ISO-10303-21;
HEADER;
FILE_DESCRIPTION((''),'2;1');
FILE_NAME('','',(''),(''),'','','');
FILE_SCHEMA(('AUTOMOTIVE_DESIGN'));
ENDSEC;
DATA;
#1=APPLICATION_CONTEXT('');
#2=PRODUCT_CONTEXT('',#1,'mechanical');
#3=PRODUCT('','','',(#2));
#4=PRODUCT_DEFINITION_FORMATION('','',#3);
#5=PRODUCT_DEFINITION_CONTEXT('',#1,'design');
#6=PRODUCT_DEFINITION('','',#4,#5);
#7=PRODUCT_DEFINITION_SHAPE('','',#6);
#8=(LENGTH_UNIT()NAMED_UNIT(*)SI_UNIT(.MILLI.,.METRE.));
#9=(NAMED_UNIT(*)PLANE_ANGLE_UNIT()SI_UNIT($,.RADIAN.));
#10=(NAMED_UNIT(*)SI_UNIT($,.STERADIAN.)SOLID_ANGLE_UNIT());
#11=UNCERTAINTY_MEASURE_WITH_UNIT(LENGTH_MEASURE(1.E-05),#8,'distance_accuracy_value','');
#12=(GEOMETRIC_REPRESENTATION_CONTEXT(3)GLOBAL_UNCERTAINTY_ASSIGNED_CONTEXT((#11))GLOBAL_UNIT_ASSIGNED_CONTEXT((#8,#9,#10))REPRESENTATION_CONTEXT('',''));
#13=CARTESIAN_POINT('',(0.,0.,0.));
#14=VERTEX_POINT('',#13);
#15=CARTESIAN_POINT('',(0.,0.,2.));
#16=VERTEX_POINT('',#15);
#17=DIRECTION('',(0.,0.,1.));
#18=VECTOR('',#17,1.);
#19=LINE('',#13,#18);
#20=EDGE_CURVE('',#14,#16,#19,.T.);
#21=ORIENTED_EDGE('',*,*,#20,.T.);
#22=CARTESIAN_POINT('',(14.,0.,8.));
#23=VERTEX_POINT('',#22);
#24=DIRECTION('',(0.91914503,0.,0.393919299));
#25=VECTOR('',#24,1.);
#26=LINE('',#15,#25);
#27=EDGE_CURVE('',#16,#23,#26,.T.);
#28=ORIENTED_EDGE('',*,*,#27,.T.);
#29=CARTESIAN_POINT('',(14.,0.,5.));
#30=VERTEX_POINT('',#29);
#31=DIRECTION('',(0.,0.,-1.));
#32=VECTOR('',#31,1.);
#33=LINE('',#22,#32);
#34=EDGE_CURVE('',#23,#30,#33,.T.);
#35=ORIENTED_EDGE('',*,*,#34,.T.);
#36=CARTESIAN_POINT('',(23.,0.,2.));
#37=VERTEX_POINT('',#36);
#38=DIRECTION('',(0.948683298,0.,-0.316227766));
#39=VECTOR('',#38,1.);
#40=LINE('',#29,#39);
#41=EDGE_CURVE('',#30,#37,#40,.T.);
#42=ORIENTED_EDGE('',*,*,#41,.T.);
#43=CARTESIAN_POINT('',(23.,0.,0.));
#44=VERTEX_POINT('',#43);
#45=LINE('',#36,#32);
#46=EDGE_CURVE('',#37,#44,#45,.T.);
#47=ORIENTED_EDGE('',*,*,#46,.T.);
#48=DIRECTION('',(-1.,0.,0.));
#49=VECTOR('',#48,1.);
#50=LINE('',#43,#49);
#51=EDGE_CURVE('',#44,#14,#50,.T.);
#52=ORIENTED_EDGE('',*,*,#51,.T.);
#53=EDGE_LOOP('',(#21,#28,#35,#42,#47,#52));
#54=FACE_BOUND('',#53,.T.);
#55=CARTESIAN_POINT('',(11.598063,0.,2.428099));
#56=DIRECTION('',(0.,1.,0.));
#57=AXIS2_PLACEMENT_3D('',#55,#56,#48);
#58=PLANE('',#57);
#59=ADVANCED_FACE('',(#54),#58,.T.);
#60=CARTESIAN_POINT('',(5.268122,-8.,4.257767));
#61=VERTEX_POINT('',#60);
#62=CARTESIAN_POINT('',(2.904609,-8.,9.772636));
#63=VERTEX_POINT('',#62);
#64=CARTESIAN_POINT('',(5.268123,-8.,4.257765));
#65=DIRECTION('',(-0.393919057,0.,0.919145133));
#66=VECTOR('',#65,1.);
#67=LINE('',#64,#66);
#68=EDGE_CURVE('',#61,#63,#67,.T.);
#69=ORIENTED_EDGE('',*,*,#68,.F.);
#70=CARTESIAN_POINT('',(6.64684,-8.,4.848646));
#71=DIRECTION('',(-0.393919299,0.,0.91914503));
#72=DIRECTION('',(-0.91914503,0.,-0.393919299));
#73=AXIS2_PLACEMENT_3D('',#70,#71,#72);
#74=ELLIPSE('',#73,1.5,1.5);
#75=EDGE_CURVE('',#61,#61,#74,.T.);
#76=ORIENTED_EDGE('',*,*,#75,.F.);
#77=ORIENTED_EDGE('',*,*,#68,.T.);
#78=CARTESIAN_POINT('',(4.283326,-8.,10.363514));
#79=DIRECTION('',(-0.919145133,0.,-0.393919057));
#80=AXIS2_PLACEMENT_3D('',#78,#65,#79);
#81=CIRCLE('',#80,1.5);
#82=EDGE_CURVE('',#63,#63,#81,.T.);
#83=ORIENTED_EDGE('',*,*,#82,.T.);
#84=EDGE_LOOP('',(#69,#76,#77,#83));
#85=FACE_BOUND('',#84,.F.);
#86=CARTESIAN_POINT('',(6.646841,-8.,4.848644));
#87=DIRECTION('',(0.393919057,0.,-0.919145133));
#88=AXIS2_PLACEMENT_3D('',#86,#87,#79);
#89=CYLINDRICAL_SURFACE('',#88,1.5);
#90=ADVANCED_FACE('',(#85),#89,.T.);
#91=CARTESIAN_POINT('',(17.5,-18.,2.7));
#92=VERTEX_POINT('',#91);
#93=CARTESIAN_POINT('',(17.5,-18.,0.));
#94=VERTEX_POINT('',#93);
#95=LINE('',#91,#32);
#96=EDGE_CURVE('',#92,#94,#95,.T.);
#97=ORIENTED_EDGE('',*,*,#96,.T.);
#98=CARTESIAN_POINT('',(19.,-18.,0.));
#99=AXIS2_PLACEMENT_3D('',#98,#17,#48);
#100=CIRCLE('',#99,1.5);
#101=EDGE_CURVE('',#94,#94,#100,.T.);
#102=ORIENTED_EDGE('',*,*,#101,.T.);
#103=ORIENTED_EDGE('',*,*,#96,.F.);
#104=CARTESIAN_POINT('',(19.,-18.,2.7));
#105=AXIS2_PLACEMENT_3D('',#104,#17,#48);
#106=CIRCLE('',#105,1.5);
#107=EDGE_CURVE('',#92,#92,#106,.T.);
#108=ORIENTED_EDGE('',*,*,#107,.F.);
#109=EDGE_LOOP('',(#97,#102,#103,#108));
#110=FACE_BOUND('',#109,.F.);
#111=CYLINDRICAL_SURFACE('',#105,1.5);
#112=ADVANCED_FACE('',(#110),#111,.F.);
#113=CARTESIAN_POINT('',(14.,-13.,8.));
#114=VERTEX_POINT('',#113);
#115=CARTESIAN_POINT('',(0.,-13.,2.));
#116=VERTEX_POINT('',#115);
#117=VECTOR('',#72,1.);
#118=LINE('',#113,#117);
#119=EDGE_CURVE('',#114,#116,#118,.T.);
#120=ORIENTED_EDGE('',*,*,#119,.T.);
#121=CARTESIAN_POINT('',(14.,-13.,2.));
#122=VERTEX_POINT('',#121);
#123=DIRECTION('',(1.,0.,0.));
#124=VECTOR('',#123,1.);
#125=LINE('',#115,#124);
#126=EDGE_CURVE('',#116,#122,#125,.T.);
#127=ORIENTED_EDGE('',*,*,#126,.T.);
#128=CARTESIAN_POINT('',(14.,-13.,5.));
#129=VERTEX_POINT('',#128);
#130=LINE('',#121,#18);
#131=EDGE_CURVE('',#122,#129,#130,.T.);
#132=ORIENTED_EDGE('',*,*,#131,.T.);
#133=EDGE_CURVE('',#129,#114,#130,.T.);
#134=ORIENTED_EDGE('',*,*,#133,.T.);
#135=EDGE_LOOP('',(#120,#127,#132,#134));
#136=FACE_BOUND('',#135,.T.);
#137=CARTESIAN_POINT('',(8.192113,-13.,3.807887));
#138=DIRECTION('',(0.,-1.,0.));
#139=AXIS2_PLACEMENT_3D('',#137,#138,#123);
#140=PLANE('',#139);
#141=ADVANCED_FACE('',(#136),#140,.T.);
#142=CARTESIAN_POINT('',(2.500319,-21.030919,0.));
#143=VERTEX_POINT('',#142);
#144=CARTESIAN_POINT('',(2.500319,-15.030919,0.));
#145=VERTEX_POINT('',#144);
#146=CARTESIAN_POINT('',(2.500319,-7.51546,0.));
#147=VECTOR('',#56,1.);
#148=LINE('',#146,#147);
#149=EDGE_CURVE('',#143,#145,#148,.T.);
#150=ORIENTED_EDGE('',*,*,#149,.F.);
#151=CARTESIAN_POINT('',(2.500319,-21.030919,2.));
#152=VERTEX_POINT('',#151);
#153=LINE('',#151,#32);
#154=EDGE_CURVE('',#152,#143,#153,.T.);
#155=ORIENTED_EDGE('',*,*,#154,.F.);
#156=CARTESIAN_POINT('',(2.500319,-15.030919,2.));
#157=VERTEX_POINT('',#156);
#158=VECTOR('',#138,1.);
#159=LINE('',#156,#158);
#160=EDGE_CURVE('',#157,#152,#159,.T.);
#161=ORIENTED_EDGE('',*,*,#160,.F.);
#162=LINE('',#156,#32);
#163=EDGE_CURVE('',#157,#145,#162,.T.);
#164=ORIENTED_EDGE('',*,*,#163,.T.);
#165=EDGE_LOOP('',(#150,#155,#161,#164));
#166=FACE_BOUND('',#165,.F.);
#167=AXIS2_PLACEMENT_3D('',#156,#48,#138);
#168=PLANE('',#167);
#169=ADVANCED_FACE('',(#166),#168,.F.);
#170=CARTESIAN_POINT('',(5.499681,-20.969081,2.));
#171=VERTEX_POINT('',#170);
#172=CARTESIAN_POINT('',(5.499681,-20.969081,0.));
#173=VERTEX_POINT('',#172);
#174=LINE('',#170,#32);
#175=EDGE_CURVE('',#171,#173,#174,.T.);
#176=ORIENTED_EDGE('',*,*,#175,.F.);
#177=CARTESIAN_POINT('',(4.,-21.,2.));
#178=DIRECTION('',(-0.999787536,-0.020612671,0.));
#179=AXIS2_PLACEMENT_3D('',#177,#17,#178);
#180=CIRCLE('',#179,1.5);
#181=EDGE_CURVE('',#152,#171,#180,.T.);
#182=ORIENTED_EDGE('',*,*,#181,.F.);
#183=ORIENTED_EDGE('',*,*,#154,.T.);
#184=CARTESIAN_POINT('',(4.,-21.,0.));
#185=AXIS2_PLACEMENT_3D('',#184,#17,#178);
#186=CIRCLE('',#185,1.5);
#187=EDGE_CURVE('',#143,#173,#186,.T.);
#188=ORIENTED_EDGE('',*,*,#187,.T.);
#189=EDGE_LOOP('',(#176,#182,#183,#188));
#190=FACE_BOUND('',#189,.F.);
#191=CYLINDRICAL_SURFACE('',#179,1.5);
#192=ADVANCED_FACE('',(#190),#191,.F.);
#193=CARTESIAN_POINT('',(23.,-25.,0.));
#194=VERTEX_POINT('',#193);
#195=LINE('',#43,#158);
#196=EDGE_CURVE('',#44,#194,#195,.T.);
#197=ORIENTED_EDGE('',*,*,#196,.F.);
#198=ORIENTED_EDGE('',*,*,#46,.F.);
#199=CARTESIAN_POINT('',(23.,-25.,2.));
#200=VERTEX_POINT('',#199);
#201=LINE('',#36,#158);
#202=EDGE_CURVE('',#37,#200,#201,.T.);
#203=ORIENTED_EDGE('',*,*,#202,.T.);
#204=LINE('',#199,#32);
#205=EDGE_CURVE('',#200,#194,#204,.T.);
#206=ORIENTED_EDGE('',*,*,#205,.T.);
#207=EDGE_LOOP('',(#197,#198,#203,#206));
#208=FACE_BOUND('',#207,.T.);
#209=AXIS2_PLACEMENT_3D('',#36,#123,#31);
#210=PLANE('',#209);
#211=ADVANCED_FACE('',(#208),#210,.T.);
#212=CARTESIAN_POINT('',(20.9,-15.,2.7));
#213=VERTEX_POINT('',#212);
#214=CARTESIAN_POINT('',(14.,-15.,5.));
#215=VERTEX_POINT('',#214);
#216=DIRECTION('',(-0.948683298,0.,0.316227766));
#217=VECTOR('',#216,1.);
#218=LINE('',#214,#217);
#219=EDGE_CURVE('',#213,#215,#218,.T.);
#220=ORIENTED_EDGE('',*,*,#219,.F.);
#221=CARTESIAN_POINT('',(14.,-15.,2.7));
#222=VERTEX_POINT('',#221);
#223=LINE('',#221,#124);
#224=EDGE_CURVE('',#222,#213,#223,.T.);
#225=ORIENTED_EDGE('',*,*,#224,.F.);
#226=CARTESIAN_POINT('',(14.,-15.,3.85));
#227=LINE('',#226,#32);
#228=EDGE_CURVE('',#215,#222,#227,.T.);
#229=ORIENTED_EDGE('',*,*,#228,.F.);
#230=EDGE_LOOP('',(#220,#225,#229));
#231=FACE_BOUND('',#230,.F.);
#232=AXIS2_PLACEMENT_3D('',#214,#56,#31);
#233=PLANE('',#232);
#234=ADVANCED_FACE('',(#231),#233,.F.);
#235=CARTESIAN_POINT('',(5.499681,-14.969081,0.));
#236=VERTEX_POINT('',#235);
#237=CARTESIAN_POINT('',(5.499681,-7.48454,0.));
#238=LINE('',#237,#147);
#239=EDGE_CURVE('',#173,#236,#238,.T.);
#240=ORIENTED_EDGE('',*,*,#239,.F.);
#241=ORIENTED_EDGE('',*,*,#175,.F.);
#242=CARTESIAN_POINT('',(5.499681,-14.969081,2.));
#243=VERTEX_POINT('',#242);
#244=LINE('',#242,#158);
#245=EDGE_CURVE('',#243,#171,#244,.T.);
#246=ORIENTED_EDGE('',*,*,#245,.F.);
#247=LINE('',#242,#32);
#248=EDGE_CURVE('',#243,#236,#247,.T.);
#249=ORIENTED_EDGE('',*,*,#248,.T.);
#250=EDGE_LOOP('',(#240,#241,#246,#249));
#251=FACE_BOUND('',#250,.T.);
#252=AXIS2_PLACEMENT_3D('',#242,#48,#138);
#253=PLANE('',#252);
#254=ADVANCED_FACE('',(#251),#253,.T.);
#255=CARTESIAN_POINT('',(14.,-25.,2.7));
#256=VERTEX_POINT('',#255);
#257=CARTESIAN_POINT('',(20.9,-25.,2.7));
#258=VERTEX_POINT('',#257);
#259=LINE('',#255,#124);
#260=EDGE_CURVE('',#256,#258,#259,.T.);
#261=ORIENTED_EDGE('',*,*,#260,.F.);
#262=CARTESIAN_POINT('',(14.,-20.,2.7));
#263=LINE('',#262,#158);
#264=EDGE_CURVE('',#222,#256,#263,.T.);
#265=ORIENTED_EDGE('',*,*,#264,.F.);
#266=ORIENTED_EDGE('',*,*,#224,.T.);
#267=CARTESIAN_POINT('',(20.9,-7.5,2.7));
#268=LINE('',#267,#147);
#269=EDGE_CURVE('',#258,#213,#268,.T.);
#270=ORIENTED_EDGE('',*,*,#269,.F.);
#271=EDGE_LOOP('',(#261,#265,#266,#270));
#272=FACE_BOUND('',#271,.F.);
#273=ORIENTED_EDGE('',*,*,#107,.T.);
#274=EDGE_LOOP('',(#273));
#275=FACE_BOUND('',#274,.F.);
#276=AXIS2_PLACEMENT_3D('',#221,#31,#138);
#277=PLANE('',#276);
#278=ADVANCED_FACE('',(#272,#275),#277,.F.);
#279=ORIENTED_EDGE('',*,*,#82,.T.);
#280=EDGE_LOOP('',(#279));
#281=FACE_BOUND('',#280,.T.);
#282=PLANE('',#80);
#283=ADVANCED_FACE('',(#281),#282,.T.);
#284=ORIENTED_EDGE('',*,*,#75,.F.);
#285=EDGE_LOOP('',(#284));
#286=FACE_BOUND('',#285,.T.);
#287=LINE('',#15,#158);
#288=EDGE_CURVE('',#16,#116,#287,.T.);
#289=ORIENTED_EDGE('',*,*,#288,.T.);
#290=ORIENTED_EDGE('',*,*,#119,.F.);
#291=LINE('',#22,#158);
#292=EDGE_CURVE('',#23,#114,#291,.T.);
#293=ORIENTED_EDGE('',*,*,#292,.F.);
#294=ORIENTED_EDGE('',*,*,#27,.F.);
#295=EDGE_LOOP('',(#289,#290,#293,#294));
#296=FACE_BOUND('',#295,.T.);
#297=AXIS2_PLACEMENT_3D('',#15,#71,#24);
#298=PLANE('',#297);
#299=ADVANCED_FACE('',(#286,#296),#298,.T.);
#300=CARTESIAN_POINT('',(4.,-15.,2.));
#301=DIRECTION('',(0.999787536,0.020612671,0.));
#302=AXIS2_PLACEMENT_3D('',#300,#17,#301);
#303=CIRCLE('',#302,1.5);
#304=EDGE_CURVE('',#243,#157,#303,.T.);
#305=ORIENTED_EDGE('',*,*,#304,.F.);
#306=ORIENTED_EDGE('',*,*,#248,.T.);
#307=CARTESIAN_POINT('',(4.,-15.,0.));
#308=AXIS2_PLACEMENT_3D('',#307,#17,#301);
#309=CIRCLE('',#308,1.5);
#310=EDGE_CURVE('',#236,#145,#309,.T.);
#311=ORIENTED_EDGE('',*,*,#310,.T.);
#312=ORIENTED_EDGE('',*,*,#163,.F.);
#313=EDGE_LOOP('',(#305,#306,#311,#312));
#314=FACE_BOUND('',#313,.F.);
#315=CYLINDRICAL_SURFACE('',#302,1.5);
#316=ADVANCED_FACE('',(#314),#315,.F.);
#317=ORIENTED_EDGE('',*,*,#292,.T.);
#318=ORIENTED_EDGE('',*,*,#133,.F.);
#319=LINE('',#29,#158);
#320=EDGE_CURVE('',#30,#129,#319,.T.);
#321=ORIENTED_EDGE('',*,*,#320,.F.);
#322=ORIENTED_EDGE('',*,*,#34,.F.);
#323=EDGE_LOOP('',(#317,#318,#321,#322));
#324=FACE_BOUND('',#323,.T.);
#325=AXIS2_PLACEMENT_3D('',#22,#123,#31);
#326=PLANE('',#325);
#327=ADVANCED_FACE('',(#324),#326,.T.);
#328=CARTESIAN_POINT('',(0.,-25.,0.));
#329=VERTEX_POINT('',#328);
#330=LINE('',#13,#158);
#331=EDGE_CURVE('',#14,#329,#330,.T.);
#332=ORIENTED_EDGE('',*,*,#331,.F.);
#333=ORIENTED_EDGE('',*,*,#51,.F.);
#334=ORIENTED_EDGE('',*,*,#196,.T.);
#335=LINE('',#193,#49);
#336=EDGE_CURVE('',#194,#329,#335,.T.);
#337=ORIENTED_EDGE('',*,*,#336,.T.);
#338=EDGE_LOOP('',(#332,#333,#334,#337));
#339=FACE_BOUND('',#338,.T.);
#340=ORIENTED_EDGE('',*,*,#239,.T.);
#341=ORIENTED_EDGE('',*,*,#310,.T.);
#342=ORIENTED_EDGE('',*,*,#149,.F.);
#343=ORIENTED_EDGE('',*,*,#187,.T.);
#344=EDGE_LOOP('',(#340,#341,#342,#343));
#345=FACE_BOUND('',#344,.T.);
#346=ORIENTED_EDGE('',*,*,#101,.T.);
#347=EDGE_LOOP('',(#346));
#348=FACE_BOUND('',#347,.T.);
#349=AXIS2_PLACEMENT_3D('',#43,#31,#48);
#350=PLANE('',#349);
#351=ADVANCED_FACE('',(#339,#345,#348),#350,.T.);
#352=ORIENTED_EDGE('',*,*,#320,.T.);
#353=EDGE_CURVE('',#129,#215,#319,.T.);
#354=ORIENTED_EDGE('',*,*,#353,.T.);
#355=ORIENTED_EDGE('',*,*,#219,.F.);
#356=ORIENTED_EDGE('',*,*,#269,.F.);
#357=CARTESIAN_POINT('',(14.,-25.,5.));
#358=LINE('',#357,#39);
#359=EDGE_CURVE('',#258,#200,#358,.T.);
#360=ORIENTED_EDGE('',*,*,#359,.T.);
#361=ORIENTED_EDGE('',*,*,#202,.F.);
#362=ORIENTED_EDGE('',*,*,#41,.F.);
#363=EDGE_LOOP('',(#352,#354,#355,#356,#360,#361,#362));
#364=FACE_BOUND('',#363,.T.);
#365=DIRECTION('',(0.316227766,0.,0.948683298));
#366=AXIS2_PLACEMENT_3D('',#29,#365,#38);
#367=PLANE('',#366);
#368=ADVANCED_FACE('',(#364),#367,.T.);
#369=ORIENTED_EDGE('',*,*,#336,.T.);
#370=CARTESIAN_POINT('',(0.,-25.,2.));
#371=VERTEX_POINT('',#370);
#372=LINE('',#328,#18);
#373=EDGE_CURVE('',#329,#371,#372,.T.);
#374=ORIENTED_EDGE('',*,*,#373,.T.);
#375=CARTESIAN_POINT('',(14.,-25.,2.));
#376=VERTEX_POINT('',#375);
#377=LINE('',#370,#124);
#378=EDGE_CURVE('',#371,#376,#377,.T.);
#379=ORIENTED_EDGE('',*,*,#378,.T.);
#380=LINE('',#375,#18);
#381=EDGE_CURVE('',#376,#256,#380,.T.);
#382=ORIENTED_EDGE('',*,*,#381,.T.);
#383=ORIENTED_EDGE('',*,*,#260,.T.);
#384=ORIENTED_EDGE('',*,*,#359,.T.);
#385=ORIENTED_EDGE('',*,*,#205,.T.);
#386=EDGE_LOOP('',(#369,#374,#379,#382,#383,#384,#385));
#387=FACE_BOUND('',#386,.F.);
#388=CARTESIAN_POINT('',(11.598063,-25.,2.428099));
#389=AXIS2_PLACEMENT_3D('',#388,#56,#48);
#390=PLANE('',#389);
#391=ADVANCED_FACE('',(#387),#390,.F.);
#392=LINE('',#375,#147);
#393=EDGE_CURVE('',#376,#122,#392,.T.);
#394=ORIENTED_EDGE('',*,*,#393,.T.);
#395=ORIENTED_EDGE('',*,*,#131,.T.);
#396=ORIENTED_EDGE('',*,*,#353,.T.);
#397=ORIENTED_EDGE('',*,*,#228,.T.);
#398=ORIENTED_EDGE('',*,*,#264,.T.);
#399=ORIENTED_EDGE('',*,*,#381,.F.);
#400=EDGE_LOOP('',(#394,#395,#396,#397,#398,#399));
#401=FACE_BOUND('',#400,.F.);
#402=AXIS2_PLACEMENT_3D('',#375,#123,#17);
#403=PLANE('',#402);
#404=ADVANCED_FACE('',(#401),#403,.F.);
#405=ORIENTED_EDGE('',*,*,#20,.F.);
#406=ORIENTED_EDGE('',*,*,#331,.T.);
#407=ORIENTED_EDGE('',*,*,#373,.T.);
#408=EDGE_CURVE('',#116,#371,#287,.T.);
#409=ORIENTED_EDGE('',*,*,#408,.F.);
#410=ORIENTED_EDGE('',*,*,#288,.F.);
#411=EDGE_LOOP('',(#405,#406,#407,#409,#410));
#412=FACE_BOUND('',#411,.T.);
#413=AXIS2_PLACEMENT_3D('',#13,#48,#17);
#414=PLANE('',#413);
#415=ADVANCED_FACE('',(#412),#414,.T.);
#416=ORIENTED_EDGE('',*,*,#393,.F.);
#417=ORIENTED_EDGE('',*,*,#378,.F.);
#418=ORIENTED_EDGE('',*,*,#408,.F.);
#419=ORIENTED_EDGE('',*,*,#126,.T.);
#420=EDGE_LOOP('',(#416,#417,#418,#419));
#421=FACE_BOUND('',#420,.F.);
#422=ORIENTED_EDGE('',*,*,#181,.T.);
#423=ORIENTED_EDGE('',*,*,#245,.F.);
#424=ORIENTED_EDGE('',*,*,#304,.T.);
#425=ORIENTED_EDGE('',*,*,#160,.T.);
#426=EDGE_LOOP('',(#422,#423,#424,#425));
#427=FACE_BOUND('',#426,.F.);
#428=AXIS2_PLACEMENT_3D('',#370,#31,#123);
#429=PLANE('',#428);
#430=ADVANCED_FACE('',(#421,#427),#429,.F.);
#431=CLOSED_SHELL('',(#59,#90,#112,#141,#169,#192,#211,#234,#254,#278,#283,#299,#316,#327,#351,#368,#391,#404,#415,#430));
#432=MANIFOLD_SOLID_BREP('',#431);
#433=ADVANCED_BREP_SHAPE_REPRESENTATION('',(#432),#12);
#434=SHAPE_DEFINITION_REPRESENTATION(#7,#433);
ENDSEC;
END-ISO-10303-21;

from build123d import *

# Parameters (mm, degrees)
PAD_DEPTH       = 25
POCKET_DEPTH    = 12
SKETCH002_R     = 1.5
PAD001_DEPTH    = 6
POCKET001_DEPTH = 2.001
SKETCH004_W     = 2.3
SKETCH004_H     = 10
POCKET002_DEPTH = 9.001
SKETCH005_R     = 1.5
HOLE_DEPTH      = 2.701


with BuildPart() as part:
    # Sketch → Pad (new body)
    with BuildSketch(Plane.XZ):
        Polygon((0, 0), (0, 2), (14, 8), (14, 5), (23, 2), (23, 0), align=None)
    extrude(amount=PAD_DEPTH)

    # Sketch001 (on Face8 of Pad) → Pocket (cut)
    with BuildSketch(Plane.XZ.offset(25)):
        Polygon((0, 2), (14, 2), (14, 8), align=None)
    extrude(amount=-POCKET_DEPTH, mode=Mode.SUBTRACT)

    # Sketch002 (on Face3 of Pocket) → Pad001 (join)
    with BuildSketch(Plane(origin=(-0.724138, 0, 1.689655), x_dir=(-0.919145, 0, -0.393919), z_dir=(-0.393919, 0, 0.919145))):
        with Locations((-8.019385, 8)):
            Circle(SKETCH002_R)
    extrude(amount=PAD001_DEPTH)

    # Sketch003 (on Face4 of Pad001) → Pocket001 (cut, through all)
    with BuildSketch(Plane(origin=(0, 0, 2), x_dir=(-1, 0, 0), z_dir=(0, 0, 1))):
        with BuildLine():
            ThreePointArc((-2.500319, 21.030919), (-4.030919, 22.499681), (-5.499681, 20.969081))
            Line((-5.499681, 14.969081), (-5.499681, 20.969081))
            ThreePointArc((-5.499681, 14.969081), (-3.969081, 13.500319), (-2.500319, 15.030919))
            Line((-2.500319, 15.030919), (-2.500319, 21.030919))
        make_face()
    extrude(amount=-POCKET001_DEPTH, mode=Mode.SUBTRACT)

    # Sketch004 (on Face15 of Pocket001) → Pocket002 (cut, through all)
    with BuildSketch(Plane(origin=(14, 0, 0), x_dir=(0, 0, -1), z_dir=(-1, 0, 0))):
        with Locations((-3.85, 20)):
            Rectangle(SKETCH004_W, SKETCH004_H)
    extrude(amount=-POCKET002_DEPTH, mode=Mode.SUBTRACT)

    # Sketch005 (on Face17 of Pocket002) → Hole (cut, through all)
    with BuildSketch(Plane(origin=(0, 0, 2.7), x_dir=(-1, 0, 0), z_dir=(0, 0, 1))):
        with Locations((-19, 18)):
            Circle(SKETCH005_R)
    extrude(amount=-HOLE_DEPTH, mode=Mode.SUBTRACT)


solid = part.part
